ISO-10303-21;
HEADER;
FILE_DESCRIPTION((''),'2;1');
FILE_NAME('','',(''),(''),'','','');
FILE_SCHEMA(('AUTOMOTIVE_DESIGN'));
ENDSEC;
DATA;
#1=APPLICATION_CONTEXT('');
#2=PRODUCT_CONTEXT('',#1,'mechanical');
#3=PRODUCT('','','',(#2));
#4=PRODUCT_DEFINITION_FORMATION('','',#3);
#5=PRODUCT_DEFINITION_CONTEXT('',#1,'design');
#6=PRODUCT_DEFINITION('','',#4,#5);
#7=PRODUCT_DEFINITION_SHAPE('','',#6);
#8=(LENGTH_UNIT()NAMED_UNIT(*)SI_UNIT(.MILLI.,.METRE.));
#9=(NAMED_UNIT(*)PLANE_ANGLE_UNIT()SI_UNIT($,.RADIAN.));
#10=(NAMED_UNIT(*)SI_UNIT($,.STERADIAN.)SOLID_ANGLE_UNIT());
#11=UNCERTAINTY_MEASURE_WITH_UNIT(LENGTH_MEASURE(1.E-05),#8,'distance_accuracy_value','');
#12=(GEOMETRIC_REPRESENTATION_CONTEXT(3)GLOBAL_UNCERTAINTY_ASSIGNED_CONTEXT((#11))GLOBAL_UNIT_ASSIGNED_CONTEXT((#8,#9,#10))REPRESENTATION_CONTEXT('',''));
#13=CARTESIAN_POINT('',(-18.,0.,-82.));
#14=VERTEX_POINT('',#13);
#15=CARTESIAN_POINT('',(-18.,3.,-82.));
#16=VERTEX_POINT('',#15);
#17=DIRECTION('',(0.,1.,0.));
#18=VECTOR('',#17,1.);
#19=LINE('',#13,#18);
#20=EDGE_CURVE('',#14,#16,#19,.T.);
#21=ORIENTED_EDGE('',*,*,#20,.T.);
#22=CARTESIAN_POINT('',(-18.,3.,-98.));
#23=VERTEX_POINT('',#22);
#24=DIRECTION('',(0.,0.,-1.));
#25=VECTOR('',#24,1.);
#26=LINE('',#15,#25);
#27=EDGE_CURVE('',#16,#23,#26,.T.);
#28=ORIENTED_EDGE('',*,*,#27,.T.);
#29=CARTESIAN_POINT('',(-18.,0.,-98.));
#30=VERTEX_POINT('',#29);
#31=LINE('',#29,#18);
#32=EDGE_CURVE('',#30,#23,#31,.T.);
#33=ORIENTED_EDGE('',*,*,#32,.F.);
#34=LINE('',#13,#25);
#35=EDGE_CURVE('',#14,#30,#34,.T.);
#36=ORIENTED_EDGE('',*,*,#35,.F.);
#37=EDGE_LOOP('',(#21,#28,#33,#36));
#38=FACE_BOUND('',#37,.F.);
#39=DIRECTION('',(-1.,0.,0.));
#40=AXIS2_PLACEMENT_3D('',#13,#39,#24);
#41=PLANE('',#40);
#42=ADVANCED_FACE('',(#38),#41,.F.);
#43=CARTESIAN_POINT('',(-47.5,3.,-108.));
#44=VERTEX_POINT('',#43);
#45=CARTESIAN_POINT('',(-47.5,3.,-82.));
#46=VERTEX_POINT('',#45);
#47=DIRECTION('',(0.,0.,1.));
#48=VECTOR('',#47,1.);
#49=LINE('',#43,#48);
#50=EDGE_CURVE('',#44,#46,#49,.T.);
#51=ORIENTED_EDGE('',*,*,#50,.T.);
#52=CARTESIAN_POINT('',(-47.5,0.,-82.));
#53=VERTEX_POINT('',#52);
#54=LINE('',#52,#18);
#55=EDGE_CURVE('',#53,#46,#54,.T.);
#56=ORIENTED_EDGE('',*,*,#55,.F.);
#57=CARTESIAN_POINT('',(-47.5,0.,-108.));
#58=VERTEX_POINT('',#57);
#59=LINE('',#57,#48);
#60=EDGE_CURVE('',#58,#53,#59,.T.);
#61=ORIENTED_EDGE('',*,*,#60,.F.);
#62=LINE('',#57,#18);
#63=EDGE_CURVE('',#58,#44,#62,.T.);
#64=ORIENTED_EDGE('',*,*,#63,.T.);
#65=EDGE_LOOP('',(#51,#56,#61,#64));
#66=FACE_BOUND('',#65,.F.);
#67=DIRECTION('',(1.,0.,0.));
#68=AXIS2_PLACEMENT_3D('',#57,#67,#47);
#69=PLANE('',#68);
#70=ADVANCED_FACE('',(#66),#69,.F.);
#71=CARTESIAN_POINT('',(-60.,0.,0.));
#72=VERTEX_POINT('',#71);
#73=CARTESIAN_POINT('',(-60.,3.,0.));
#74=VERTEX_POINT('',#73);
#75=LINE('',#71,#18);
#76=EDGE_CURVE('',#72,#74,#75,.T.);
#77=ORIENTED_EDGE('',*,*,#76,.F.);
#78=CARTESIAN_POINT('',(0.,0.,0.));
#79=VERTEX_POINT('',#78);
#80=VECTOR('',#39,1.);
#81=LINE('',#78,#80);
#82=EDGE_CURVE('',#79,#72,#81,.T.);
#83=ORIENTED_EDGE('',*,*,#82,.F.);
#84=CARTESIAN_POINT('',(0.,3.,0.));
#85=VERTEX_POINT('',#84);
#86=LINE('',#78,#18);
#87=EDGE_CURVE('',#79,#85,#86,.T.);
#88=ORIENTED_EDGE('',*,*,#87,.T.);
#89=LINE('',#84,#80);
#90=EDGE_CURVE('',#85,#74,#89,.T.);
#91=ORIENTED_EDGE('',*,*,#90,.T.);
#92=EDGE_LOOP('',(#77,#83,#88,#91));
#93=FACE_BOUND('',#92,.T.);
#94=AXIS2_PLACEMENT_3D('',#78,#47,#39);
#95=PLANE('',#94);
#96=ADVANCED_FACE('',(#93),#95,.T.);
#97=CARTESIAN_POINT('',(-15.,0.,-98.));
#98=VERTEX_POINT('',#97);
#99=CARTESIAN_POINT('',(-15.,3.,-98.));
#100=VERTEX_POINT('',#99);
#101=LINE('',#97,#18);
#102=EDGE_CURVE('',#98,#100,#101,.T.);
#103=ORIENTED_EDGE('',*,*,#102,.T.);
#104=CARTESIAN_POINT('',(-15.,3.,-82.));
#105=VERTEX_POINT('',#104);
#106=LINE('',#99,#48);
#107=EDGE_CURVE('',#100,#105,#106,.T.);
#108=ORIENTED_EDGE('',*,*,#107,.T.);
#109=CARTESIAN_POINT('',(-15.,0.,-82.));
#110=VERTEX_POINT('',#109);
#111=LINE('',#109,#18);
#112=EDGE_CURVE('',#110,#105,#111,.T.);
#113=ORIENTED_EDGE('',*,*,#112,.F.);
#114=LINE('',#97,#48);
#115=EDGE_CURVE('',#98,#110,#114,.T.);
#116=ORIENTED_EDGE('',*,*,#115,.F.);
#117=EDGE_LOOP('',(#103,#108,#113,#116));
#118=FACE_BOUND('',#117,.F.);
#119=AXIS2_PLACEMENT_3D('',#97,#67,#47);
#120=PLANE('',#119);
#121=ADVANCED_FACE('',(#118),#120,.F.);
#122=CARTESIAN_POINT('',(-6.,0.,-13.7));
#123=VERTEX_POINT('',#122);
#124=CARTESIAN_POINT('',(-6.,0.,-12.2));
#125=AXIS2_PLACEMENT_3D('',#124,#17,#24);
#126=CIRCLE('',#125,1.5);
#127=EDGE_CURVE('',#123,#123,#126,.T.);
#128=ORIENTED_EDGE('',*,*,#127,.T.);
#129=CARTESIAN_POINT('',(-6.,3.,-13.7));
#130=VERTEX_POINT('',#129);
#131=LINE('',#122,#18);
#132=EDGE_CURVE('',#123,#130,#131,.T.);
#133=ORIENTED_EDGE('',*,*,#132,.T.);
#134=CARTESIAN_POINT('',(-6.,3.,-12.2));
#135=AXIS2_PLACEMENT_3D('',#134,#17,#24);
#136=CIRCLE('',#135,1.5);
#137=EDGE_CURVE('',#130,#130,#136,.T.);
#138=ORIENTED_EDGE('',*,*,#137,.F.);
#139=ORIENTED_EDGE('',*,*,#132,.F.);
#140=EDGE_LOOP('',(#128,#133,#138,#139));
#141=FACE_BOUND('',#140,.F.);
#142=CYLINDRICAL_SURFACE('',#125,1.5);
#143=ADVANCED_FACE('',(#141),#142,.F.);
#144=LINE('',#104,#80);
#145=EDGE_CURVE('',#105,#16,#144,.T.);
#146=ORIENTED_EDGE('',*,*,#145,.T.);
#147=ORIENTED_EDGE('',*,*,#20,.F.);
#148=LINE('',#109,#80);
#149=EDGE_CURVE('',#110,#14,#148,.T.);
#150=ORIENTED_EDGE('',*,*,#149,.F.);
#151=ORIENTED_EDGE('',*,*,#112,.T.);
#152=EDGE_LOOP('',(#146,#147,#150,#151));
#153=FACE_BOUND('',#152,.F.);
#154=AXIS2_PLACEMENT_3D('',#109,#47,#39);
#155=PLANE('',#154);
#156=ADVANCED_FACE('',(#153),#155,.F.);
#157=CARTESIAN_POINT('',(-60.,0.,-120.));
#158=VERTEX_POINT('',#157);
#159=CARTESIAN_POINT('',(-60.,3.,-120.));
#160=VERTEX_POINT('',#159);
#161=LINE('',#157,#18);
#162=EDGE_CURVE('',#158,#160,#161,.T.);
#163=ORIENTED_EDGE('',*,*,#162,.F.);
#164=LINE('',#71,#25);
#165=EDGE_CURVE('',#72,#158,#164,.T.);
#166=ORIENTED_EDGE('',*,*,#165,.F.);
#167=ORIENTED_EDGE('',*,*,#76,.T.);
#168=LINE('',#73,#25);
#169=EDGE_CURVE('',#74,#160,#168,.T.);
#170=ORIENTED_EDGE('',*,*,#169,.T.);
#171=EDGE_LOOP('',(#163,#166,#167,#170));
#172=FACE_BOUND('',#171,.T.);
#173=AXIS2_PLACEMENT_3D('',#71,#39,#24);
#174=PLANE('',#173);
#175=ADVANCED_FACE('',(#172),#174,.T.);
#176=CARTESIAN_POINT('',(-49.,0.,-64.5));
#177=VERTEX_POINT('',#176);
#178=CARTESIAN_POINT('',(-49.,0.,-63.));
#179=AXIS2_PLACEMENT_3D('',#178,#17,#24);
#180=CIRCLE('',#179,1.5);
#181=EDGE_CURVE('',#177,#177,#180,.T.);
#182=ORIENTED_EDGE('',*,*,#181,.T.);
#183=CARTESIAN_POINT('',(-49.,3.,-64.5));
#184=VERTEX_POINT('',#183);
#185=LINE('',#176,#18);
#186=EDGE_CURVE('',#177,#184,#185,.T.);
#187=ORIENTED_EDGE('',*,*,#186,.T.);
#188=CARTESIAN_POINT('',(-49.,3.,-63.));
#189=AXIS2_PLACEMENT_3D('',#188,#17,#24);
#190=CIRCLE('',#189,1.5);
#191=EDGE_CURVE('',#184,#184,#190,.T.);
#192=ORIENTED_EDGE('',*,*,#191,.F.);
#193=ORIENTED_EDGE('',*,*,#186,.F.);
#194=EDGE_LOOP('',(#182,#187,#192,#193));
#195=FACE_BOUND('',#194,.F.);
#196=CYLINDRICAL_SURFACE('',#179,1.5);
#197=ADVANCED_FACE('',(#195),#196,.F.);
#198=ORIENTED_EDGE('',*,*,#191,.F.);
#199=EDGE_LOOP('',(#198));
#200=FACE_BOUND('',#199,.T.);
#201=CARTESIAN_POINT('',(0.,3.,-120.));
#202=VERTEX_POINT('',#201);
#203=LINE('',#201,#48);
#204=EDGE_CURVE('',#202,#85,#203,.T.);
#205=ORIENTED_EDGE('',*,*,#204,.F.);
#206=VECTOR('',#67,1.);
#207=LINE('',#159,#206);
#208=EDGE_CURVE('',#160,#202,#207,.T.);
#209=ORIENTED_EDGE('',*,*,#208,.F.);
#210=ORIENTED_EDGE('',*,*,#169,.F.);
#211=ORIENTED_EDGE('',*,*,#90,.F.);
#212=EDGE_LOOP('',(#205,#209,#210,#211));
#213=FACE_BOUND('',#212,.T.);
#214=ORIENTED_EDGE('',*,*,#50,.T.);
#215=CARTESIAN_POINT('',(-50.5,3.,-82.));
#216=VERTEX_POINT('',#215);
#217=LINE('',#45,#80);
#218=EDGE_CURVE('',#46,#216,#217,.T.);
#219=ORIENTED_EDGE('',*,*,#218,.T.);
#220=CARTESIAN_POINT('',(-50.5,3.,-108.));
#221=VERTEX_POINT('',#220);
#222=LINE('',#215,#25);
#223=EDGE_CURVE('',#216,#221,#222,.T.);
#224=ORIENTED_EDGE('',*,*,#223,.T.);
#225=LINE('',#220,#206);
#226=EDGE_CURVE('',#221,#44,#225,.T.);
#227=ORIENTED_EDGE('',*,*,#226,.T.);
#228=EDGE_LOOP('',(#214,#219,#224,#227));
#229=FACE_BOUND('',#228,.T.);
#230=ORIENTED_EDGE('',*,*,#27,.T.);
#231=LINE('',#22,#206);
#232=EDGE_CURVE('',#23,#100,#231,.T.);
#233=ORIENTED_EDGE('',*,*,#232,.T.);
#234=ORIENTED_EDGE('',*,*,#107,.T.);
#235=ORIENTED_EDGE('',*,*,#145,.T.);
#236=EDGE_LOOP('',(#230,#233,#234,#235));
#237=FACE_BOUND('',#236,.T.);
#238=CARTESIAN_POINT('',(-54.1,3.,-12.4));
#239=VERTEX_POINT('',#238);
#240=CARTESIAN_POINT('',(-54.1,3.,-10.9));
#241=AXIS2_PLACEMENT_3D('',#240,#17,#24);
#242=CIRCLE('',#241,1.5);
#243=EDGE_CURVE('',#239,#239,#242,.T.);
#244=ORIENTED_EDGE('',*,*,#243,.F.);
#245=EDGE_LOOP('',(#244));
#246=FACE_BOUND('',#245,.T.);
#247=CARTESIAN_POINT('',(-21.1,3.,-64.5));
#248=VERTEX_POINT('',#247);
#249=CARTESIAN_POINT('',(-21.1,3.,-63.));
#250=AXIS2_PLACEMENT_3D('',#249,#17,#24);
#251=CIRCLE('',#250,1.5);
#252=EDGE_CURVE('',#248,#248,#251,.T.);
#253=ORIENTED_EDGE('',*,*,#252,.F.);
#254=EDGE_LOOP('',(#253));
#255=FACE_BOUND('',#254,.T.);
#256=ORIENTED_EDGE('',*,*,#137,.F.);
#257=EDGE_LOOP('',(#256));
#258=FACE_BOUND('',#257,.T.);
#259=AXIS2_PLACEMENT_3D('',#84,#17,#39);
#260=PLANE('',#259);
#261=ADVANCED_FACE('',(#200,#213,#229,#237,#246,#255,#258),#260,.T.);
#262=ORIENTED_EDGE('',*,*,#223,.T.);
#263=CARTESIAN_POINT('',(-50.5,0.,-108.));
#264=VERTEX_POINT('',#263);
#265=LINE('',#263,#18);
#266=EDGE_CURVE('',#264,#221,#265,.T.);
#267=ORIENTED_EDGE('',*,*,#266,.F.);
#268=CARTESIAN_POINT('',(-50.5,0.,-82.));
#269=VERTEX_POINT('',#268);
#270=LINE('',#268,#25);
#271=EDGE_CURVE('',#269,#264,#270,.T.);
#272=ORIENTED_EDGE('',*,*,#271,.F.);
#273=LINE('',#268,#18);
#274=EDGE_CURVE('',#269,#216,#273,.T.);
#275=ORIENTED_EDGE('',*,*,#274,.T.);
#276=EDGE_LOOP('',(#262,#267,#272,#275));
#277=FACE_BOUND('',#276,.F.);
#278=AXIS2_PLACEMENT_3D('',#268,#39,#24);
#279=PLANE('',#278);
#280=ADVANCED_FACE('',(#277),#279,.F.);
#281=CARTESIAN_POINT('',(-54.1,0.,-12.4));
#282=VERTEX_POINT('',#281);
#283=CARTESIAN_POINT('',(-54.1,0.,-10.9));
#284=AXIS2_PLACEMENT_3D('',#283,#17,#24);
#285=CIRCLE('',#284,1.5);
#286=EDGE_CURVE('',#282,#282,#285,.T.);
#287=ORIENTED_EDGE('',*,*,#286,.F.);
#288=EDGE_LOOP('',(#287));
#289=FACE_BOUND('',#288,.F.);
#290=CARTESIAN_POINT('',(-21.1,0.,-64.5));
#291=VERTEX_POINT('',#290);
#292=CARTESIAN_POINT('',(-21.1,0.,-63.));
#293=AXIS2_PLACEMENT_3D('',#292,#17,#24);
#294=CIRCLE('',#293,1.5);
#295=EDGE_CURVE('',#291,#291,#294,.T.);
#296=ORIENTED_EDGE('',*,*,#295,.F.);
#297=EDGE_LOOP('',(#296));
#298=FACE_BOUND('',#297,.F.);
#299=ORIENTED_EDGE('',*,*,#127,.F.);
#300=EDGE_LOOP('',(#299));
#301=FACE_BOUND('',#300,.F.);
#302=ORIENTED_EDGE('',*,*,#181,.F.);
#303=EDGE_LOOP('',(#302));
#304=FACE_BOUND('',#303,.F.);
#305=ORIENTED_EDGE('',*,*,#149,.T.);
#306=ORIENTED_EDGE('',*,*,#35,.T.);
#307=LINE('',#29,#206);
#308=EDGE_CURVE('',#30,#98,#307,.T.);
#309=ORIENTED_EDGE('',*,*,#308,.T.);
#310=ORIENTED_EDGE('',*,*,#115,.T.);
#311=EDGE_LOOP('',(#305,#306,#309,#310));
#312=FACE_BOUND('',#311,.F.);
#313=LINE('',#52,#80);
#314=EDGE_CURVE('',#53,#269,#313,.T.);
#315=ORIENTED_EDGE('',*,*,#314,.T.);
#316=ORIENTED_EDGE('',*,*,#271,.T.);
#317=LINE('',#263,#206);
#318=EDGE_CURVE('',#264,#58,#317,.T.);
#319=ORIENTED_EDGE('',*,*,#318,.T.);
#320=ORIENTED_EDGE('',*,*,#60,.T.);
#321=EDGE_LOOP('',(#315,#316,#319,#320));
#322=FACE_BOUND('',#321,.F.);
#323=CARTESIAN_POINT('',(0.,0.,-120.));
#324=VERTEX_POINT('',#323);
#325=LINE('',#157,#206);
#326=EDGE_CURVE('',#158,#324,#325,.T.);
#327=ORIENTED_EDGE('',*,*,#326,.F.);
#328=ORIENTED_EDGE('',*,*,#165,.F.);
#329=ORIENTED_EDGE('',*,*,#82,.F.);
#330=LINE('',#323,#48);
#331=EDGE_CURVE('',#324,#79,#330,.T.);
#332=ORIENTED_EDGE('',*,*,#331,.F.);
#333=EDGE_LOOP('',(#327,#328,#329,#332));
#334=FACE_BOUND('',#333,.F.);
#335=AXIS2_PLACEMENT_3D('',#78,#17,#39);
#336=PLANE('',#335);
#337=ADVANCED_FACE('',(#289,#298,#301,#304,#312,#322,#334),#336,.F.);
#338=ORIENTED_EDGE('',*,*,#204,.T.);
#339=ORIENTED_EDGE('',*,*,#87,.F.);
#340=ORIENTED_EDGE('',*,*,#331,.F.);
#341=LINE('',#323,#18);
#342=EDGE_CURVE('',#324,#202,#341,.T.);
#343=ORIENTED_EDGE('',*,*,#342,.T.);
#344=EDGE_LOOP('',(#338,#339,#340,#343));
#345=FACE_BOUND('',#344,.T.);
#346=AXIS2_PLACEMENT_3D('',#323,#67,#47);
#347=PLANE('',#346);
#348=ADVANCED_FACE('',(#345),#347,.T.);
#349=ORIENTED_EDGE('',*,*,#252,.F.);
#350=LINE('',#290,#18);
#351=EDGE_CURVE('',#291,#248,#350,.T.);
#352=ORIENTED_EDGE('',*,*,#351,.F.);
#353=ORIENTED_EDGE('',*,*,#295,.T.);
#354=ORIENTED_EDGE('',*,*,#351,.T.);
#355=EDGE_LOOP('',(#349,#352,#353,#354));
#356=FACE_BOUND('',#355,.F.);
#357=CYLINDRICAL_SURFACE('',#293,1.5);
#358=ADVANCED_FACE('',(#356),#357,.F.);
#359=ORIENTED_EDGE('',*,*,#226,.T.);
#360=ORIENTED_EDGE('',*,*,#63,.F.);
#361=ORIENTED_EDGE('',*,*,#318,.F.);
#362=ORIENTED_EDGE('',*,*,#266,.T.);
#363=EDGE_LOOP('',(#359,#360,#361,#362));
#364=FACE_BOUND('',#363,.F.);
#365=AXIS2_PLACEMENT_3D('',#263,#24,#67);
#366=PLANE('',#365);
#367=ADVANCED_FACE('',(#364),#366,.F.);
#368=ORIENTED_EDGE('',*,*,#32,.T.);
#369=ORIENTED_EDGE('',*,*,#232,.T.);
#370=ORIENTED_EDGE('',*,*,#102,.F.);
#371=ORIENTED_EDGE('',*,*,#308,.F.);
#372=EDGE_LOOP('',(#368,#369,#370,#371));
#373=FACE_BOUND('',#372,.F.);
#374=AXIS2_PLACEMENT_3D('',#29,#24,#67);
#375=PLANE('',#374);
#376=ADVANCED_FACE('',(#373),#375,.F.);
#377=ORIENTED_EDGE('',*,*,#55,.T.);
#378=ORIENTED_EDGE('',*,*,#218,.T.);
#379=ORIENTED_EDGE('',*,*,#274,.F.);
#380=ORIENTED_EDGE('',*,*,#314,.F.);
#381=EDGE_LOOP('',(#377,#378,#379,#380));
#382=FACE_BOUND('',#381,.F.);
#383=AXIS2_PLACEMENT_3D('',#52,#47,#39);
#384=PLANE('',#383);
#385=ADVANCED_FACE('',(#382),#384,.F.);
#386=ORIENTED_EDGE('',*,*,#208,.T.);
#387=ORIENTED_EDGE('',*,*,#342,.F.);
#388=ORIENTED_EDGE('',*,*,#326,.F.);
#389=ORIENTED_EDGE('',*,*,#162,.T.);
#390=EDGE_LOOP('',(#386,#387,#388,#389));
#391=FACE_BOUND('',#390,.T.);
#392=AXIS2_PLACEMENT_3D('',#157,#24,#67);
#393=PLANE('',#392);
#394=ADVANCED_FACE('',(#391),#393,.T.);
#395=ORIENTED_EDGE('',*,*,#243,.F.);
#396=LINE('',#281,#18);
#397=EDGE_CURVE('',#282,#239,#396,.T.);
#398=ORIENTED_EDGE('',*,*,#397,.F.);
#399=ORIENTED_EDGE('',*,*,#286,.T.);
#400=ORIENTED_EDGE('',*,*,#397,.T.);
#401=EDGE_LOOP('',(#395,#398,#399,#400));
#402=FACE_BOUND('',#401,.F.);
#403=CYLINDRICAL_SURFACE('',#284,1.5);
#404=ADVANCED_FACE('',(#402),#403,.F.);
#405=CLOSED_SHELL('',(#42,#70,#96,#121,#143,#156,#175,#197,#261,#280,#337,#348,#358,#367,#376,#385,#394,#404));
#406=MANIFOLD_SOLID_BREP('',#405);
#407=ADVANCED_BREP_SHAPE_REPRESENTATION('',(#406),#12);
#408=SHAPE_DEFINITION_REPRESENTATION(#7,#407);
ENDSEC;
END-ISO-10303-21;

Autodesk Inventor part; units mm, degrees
ref_plane "YZ Plane" through (0, 0, 0) normal (1, 0, 0) x (0, 1, 0)
ref_plane "XZ Plane" through (0, 0, 0) normal (0, 1, 0) x (-1, 0, 0)
ref_plane "XY Plane" through (0, 0, 0) normal (0, 0, 1) x (1, 0, 0)
sketch "Szkic1" plane through (0, 0, 0) normal (0, 1, 0) x (-1, 0, 0)
  line L0 (0, 0) -> (60, 0)
  line L1 (60, 0) -> (60, -120)
  line L2 (60, -120) -> (0, -120)
  line L3 (0, -120) -> (0, 0)
  line L4 (50.5, -108) -> (47.5, -108)
  line L5 (47.5, -108) -> (47.5, -82)
  line L6 (47.5, -82) -> (50.5, -82)
  line L7 (50.5, -82) -> (50.5, -108)
  line L8 (15, -82) -> (18, -82)
  line L9 (18, -82) -> (18, -98)
  line L10 (18, -98) -> (15, -98)
  line L11 (15, -98) -> (15, -82)
  dimension "d0" = 60
  dimension "d1" = 120
  dimension "d2" = 3
  dimension "d3" = 26
  dimension "d4" = 12
  dimension "d5" = 9.5
  dimension "d6" = 3
  dimension "d7" = 16
  dimension "d9" = 22
  dimension "d26" = 29.5
extrude "Wyciągnięcie proste1" add sketch "Szkic1" along normal blind 3
sketch "Szkic2" plane through (0, 0, 0) normal (0, -1, 0) x (1, 0, 0)
  line L0 (-50.5, -82) -> (-47.5, -82) projected
  line L1 (-60, 0) -> (-60, -120) projected
  point P0 (0, 0)
  point P1 (-49, -63)
  point P2 (-21.1, -63)
  point P3 (-6, -12.2)
  point P4 (-54.1, -10.9)
  dimension "d12" = 19
  dimension "d13" = 11
  dimension "d14" = 27.9
  dimension "d15" = 50.8
  dimension "d16" = 54
  dimension "d17" = 1.3
  dimension "d18" = 5.9
hole "Otwór1" at (-49, 0, -63) at (-21.1, 0, -63) at (-6, 0, -12.2) at (-54.1, 0, -10.9) direction (0, 1, 0) diameter 3 end through all
properties part number "podstawa podstawa" material "Drewno (wiśnia)"
